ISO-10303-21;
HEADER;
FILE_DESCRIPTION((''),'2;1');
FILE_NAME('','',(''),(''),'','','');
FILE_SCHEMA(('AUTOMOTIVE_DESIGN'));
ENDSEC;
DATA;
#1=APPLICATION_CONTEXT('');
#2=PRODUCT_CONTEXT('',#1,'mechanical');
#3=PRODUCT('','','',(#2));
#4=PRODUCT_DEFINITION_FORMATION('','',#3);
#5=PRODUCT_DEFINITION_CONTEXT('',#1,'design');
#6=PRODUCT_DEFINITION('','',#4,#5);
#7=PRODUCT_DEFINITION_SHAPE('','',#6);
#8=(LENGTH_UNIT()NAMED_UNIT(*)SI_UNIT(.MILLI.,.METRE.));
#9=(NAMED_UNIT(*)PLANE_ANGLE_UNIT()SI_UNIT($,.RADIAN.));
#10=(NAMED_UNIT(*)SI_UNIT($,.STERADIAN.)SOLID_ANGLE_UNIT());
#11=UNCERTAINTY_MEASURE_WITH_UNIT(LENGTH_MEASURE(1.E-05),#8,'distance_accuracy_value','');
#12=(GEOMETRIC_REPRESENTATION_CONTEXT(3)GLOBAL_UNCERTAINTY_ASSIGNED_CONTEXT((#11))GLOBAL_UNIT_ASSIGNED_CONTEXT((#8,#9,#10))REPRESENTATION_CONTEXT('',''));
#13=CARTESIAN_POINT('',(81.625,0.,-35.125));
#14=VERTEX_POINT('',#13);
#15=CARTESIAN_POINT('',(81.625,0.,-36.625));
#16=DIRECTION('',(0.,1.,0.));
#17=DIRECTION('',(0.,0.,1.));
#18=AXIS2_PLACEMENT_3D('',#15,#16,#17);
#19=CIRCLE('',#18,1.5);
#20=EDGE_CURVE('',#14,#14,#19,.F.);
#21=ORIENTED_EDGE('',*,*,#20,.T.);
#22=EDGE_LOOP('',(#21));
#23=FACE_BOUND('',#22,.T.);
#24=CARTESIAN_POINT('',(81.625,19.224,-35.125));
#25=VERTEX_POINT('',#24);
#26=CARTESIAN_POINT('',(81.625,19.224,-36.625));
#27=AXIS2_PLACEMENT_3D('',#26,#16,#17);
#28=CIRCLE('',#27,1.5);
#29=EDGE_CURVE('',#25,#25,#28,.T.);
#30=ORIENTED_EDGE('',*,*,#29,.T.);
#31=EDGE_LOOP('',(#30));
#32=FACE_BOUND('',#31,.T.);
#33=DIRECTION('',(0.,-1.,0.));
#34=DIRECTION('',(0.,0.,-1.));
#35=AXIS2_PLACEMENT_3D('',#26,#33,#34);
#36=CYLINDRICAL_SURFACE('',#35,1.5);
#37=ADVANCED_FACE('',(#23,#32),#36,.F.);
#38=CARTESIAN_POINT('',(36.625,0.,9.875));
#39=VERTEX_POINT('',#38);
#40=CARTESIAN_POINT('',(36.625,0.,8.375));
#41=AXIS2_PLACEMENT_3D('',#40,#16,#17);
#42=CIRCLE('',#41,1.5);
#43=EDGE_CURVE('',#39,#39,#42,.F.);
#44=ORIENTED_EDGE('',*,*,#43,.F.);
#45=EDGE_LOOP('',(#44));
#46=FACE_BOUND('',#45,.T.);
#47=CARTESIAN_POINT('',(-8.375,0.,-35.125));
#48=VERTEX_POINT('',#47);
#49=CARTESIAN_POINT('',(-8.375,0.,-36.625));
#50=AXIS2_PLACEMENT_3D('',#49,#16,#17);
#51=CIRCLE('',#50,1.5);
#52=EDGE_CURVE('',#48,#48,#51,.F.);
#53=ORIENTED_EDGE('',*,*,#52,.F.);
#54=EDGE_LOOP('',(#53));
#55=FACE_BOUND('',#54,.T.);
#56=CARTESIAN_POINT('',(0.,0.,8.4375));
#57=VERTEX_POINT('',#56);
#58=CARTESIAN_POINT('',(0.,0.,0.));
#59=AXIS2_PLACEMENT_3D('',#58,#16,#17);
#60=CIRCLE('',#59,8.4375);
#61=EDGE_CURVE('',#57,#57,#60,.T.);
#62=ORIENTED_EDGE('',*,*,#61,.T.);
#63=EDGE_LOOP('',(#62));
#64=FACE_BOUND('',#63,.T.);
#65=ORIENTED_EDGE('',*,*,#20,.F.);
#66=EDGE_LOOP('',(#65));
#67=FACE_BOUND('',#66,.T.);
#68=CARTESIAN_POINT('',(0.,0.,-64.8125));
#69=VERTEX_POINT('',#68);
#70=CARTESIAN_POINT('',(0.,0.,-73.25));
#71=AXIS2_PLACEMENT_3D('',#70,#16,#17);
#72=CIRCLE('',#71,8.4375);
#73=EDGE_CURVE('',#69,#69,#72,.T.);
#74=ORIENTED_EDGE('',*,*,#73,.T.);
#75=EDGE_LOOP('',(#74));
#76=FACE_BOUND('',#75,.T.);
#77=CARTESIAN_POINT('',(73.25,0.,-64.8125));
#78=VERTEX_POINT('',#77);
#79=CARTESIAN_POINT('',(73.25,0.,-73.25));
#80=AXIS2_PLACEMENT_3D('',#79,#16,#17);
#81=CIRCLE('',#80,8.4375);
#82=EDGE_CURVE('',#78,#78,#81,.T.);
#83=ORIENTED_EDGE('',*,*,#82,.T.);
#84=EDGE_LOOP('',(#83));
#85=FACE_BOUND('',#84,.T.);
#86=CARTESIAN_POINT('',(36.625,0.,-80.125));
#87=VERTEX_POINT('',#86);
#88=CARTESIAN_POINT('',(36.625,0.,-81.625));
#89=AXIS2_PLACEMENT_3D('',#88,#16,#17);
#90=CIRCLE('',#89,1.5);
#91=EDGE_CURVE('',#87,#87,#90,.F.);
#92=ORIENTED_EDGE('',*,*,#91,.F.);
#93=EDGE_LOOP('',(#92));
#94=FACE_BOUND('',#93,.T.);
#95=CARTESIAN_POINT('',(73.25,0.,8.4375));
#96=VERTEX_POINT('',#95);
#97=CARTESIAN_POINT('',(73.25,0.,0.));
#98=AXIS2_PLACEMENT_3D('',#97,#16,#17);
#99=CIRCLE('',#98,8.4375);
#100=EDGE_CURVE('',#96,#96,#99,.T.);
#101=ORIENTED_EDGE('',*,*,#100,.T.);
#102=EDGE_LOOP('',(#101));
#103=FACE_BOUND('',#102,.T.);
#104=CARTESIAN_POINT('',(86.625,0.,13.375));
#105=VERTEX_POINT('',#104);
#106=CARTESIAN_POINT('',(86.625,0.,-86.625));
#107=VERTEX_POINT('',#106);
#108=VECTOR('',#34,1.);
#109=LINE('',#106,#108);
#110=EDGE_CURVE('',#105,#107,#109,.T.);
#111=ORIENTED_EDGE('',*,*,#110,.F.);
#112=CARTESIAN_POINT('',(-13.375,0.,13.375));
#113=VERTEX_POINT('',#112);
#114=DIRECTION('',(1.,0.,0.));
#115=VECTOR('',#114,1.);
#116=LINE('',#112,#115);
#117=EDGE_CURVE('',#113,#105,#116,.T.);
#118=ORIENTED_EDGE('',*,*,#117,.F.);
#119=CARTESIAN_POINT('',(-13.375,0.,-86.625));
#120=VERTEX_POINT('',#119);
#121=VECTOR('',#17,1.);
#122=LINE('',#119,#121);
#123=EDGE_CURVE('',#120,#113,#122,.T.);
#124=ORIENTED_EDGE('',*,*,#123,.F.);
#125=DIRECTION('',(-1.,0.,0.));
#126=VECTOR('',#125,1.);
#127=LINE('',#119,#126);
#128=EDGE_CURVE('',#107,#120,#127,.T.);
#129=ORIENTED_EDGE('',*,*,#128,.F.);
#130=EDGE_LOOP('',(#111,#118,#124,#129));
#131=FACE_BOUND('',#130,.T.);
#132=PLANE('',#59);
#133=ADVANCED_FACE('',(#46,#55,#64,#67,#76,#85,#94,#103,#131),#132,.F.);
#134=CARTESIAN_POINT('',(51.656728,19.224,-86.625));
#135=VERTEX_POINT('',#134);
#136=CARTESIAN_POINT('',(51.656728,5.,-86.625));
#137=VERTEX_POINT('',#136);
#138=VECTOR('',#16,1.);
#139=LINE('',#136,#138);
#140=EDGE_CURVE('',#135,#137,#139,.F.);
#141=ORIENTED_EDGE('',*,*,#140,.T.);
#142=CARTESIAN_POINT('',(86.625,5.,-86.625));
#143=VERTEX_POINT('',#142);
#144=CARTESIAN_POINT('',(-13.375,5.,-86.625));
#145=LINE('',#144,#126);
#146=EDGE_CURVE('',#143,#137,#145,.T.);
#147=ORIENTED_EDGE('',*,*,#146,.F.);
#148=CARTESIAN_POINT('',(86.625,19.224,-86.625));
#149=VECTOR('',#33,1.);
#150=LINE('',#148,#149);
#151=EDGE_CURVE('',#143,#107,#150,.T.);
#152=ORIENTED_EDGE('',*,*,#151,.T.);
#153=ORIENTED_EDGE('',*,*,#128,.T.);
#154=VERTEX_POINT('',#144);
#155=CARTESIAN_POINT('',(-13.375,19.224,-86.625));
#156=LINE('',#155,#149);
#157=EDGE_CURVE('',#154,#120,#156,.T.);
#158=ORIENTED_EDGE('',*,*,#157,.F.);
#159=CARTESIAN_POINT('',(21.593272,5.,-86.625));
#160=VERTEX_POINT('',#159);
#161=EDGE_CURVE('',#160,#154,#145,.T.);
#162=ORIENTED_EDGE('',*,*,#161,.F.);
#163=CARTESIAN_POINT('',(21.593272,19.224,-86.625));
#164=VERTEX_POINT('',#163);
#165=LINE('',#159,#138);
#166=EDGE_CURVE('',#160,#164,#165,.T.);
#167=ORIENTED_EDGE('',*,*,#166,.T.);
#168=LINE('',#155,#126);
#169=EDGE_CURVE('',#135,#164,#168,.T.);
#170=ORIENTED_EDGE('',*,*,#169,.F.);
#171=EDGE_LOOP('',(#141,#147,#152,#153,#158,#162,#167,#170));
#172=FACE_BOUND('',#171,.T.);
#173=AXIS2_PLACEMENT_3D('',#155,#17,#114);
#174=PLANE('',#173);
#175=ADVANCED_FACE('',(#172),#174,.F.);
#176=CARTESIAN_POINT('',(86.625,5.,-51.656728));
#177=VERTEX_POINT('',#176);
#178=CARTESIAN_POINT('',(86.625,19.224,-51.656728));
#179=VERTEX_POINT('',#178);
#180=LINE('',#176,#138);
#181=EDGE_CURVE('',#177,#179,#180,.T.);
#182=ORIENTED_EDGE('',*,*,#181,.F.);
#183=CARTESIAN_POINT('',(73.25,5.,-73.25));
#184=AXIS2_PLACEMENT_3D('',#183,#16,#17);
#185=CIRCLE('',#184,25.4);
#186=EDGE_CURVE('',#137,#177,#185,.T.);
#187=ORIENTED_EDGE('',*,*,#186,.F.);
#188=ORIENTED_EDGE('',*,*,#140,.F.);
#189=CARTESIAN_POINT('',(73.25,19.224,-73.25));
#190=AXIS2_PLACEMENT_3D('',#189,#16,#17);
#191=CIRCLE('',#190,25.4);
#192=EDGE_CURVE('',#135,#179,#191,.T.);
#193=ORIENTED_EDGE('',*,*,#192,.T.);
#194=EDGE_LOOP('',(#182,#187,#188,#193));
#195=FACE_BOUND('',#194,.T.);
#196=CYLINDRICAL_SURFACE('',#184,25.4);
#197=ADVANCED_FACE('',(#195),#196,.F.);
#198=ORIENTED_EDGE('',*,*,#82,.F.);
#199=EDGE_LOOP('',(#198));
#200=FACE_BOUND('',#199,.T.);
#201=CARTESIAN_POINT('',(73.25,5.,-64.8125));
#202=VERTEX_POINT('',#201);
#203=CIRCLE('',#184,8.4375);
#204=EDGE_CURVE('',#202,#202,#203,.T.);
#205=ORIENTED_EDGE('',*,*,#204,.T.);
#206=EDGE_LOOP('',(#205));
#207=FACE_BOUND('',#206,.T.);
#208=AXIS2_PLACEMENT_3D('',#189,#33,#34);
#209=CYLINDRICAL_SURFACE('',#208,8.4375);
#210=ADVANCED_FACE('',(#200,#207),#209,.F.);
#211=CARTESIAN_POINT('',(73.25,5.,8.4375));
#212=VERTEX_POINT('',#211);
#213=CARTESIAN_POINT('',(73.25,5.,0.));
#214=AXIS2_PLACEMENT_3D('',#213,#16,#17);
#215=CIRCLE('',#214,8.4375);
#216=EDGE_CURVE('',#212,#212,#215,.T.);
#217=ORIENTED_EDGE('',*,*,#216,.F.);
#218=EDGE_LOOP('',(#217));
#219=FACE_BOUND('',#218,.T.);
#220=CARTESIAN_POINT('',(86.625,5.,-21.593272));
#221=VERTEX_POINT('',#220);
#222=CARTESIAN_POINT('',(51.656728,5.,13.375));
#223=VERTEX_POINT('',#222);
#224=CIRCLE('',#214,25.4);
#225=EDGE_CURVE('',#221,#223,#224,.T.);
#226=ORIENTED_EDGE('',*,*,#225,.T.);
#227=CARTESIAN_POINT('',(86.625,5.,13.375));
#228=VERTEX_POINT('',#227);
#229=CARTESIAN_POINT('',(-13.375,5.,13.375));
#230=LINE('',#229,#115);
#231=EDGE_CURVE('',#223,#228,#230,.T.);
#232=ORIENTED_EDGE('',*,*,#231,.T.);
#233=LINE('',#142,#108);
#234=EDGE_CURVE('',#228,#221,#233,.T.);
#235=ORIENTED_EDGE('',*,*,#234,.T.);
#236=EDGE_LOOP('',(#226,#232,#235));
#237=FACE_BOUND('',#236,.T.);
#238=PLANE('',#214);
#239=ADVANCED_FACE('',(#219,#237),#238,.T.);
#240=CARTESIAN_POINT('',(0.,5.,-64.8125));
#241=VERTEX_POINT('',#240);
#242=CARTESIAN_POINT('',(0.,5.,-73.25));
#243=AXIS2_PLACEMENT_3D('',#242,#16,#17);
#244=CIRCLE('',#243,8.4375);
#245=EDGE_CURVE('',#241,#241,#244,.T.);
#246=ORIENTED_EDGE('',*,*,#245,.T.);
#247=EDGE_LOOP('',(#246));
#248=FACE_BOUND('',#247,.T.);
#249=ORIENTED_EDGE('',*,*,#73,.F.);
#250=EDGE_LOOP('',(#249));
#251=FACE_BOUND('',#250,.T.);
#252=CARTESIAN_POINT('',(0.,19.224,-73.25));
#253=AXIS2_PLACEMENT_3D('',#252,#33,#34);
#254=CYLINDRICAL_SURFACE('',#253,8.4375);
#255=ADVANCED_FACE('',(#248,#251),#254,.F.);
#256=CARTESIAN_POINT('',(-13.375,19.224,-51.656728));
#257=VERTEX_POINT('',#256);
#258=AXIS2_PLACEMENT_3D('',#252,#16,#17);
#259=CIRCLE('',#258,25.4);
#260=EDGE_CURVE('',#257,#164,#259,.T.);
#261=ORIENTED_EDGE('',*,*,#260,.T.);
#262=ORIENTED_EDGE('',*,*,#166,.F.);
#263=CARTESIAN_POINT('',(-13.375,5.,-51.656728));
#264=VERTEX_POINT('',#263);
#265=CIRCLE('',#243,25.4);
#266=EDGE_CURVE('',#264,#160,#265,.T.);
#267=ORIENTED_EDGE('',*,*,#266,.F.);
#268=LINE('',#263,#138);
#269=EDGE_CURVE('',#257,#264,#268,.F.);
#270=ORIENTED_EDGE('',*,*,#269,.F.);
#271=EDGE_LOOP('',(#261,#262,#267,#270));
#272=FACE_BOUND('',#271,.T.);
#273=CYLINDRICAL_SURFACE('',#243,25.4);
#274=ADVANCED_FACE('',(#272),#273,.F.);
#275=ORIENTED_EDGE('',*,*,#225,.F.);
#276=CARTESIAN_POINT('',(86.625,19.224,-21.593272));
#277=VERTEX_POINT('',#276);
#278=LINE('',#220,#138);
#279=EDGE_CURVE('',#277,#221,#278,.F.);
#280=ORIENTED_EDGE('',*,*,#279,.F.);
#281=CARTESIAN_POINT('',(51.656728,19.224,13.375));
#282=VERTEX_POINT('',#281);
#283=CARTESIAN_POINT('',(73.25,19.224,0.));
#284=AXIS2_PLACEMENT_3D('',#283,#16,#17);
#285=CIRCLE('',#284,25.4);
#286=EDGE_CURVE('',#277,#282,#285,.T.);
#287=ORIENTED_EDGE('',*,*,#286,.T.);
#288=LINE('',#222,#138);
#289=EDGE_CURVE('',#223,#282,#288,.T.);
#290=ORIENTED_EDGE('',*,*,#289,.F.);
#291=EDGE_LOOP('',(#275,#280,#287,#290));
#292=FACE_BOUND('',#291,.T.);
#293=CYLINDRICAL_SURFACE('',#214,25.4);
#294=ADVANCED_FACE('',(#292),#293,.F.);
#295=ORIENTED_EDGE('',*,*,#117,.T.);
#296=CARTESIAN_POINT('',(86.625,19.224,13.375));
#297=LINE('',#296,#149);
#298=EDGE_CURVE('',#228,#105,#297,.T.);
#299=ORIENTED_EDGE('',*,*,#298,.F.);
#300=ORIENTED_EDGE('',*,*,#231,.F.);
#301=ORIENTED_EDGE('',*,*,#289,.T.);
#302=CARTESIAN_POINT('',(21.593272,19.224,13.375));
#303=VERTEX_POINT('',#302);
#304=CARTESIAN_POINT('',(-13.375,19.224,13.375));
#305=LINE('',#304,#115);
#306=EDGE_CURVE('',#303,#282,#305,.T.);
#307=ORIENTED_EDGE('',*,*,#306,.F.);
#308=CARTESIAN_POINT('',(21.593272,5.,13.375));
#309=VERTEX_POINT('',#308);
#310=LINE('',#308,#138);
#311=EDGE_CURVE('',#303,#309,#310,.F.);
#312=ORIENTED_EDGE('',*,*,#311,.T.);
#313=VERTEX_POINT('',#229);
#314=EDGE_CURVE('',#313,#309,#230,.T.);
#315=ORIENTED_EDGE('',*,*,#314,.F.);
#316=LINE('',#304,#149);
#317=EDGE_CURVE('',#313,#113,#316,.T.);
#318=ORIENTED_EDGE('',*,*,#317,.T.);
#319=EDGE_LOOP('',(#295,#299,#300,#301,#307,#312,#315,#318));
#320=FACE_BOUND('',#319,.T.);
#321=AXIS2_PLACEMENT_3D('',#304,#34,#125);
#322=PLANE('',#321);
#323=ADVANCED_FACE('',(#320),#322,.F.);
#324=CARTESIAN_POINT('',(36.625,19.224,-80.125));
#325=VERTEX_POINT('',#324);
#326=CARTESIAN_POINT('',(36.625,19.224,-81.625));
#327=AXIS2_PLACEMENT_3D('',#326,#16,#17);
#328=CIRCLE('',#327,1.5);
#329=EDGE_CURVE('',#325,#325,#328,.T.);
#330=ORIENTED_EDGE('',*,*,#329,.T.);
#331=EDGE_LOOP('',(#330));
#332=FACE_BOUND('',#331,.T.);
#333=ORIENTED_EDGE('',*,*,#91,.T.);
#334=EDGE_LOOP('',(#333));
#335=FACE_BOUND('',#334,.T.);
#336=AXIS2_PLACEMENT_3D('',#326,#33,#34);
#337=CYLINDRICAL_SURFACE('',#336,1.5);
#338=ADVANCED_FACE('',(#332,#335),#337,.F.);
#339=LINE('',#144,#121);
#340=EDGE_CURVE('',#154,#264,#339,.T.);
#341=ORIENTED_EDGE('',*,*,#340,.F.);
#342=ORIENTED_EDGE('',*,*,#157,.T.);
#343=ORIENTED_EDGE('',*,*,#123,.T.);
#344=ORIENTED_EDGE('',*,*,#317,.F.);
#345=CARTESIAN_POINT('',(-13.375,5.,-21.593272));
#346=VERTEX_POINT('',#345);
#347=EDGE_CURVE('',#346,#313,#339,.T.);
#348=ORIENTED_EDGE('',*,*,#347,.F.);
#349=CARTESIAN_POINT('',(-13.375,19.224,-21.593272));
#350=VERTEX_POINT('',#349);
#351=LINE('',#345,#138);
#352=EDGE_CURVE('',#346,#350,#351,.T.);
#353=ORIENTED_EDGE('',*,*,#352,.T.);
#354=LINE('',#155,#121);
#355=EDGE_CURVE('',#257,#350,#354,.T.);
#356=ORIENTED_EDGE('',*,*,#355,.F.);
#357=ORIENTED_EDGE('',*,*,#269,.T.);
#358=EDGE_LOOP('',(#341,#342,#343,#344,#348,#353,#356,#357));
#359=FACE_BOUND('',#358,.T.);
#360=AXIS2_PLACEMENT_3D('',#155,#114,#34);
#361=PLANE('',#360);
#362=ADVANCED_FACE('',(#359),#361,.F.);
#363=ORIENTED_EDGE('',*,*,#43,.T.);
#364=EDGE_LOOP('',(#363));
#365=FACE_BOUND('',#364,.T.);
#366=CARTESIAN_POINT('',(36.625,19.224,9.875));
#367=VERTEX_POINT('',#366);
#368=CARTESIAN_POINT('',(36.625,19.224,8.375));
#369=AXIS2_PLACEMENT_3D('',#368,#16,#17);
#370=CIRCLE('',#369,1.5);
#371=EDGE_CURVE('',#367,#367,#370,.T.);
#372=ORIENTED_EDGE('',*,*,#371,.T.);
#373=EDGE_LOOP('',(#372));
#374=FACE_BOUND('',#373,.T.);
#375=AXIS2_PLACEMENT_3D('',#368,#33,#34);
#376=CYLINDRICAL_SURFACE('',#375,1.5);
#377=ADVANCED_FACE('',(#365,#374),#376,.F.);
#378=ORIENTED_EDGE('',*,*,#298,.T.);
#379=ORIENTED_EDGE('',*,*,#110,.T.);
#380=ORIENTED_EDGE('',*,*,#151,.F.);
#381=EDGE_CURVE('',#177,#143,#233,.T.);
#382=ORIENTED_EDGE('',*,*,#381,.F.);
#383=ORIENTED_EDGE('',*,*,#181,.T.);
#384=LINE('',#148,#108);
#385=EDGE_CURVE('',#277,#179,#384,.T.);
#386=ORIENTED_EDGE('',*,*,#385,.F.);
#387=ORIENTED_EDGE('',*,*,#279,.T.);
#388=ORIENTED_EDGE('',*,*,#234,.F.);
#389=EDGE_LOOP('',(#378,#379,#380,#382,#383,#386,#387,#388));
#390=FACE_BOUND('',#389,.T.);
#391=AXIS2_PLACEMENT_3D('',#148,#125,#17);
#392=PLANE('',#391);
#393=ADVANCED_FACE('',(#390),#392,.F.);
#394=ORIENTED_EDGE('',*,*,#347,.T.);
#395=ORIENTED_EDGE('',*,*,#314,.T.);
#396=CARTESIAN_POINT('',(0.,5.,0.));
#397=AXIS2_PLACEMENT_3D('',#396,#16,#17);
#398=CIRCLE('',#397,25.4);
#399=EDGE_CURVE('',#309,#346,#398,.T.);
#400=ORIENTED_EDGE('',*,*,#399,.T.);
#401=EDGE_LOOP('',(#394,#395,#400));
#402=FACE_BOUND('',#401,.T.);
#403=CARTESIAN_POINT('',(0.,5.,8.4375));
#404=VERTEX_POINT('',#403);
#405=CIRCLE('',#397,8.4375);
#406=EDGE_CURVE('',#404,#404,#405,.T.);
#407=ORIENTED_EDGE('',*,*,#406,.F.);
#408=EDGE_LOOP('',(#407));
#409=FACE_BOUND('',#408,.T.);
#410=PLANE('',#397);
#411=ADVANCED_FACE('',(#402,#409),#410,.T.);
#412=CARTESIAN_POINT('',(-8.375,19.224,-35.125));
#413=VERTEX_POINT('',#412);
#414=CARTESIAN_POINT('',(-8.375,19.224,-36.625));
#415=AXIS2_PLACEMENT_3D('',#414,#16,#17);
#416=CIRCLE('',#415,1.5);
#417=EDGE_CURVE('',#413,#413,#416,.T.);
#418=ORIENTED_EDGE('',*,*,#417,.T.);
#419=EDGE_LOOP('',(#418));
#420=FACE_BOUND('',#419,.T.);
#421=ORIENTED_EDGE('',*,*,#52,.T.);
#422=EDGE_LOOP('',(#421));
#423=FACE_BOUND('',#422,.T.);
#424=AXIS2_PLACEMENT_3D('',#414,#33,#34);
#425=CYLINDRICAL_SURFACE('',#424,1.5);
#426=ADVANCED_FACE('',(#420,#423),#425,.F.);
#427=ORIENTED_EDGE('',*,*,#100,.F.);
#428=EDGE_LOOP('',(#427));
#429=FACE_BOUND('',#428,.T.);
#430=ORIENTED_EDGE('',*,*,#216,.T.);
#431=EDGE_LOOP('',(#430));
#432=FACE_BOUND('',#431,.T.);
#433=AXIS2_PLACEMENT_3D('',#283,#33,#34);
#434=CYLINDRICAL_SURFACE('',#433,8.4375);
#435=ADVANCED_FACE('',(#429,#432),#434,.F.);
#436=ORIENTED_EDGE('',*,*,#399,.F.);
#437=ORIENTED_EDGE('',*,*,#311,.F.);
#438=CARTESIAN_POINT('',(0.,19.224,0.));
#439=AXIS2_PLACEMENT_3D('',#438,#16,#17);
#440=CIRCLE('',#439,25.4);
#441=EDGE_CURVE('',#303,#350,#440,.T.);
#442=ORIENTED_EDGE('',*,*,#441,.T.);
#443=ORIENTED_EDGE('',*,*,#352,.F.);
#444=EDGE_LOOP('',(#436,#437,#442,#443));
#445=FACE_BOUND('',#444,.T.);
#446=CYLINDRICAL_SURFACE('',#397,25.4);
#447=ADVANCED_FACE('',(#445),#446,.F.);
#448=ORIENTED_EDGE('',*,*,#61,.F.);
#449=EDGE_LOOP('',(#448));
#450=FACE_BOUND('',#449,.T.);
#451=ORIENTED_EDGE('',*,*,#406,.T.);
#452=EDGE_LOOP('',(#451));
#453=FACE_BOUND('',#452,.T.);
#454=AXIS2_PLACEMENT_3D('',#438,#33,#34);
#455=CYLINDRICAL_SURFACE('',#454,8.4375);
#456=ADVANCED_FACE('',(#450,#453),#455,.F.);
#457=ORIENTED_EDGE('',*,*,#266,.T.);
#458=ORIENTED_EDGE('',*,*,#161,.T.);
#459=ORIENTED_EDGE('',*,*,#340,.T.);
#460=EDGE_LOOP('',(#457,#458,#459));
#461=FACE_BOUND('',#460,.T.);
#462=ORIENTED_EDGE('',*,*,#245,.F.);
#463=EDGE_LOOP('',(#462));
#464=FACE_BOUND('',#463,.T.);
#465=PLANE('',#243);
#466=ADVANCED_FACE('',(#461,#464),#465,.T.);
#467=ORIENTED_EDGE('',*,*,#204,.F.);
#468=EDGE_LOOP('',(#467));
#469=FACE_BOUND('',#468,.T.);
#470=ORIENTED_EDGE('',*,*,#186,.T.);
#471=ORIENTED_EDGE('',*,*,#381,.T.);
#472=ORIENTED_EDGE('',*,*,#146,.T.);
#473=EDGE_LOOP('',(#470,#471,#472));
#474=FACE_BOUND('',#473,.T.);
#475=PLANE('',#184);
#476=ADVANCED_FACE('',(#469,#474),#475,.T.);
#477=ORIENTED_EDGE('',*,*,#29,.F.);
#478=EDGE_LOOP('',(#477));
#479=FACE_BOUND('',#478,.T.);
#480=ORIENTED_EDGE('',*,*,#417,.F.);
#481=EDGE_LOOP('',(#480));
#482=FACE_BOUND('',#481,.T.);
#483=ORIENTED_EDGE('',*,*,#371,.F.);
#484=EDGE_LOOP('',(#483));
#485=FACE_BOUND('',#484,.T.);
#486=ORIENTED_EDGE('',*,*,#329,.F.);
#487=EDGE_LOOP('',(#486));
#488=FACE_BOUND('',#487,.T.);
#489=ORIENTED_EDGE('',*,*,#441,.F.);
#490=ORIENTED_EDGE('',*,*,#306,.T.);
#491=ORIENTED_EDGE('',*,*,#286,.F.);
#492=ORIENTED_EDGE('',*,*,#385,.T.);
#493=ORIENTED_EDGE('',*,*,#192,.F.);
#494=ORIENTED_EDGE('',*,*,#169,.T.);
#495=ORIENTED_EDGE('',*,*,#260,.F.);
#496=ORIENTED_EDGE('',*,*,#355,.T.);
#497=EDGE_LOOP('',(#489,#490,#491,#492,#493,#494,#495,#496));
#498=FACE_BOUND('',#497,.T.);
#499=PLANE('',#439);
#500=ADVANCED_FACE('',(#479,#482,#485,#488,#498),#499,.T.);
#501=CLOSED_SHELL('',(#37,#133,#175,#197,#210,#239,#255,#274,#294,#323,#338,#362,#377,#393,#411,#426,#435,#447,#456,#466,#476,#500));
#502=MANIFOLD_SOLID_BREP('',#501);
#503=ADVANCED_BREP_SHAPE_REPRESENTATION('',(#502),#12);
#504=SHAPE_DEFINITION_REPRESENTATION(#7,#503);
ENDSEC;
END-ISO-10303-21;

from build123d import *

# Parameters (mm, degrees)
SKETCH1_W               = 100
SKETCH1_H               = 100
SKETCH1_R               = 8.4375
BOSS_EXTRUDE1_DEPTH     = 19.224
SKETCH4_R               = 25.4
CUT_EXTRUDE2_DEPTH      = 14.224
CUT_EXTRUDE1_DEPTH      = 125.005416922
CUT_EXTRUDE1_DEPTH_BACK = 125.005416922
SKETCH3_R               = 1.5


with BuildPart() as part:
    # Sketch1 → Boss-Extrude1 (new body)
    with BuildSketch(Plane(origin=(0, 0, 0), x_dir=(1, 0, 0), z_dir=(0, 1, 0))):
        with Locations((36.625, 36.625)):
            Rectangle(SKETCH1_W, SKETCH1_H)
        with Locations(Location((0, 0, 0), (0, 0, 270))):
            Circle(SKETCH1_R, mode=Mode.SUBTRACT)
        with Locations(Location((0, 73.25, 0), (0, 0, 270))):
            Circle(SKETCH1_R, mode=Mode.SUBTRACT)
        with Locations(Location((73.25, 73.25, 0), (0, 0, 270))):
            Circle(SKETCH1_R, mode=Mode.SUBTRACT)
        with Locations(Location((73.25, 0, 0), (0, 0, 270))):
            Circle(SKETCH1_R, mode=Mode.SUBTRACT)
    extrude(amount=BOSS_EXTRUDE1_DEPTH)

    # Sketch4 → Cut-Extrude2 (cut)
    with BuildSketch(Plane(origin=(0, 19.224, 0), x_dir=(1, 0, 0), z_dir=(0, 1, 0))):
        Circle(SKETCH4_R)
        with Locations((73.25, 0)):
            Circle(SKETCH4_R)
        with Locations((73.25, 73.25)):
            Circle(SKETCH4_R)
        with Locations((0, 73.25)):
            Circle(SKETCH4_R)
    extrude(amount=-CUT_EXTRUDE2_DEPTH, mode=Mode.SUBTRACT)

    # Sketch3 → Cut-Extrude1 (cut, two sides: drawn at the far end of the back side and taken through both)
    with BuildSketch(Plane(origin=(0, 0, 0), x_dir=(1, 0, 0), z_dir=(0, 1, 0)).offset(-CUT_EXTRUDE1_DEPTH_BACK)):
        with Locations(Location((36.625, 81.625, 0), (0, 0, 270))):
            Circle(SKETCH3_R)
        with Locations(Location((81.625, 36.625, 0), (0, 0, 270))):
            Circle(SKETCH3_R)
        with Locations(Location((36.625, -8.375, 0), (0, 0, 270))):
            Circle(SKETCH3_R)
        with Locations(Location((-8.375, 36.625, 0), (0, 0, 270))):
            Circle(SKETCH3_R)
    extrude(amount=CUT_EXTRUDE1_DEPTH + CUT_EXTRUDE1_DEPTH_BACK, mode=Mode.SUBTRACT)


solid = part.part
